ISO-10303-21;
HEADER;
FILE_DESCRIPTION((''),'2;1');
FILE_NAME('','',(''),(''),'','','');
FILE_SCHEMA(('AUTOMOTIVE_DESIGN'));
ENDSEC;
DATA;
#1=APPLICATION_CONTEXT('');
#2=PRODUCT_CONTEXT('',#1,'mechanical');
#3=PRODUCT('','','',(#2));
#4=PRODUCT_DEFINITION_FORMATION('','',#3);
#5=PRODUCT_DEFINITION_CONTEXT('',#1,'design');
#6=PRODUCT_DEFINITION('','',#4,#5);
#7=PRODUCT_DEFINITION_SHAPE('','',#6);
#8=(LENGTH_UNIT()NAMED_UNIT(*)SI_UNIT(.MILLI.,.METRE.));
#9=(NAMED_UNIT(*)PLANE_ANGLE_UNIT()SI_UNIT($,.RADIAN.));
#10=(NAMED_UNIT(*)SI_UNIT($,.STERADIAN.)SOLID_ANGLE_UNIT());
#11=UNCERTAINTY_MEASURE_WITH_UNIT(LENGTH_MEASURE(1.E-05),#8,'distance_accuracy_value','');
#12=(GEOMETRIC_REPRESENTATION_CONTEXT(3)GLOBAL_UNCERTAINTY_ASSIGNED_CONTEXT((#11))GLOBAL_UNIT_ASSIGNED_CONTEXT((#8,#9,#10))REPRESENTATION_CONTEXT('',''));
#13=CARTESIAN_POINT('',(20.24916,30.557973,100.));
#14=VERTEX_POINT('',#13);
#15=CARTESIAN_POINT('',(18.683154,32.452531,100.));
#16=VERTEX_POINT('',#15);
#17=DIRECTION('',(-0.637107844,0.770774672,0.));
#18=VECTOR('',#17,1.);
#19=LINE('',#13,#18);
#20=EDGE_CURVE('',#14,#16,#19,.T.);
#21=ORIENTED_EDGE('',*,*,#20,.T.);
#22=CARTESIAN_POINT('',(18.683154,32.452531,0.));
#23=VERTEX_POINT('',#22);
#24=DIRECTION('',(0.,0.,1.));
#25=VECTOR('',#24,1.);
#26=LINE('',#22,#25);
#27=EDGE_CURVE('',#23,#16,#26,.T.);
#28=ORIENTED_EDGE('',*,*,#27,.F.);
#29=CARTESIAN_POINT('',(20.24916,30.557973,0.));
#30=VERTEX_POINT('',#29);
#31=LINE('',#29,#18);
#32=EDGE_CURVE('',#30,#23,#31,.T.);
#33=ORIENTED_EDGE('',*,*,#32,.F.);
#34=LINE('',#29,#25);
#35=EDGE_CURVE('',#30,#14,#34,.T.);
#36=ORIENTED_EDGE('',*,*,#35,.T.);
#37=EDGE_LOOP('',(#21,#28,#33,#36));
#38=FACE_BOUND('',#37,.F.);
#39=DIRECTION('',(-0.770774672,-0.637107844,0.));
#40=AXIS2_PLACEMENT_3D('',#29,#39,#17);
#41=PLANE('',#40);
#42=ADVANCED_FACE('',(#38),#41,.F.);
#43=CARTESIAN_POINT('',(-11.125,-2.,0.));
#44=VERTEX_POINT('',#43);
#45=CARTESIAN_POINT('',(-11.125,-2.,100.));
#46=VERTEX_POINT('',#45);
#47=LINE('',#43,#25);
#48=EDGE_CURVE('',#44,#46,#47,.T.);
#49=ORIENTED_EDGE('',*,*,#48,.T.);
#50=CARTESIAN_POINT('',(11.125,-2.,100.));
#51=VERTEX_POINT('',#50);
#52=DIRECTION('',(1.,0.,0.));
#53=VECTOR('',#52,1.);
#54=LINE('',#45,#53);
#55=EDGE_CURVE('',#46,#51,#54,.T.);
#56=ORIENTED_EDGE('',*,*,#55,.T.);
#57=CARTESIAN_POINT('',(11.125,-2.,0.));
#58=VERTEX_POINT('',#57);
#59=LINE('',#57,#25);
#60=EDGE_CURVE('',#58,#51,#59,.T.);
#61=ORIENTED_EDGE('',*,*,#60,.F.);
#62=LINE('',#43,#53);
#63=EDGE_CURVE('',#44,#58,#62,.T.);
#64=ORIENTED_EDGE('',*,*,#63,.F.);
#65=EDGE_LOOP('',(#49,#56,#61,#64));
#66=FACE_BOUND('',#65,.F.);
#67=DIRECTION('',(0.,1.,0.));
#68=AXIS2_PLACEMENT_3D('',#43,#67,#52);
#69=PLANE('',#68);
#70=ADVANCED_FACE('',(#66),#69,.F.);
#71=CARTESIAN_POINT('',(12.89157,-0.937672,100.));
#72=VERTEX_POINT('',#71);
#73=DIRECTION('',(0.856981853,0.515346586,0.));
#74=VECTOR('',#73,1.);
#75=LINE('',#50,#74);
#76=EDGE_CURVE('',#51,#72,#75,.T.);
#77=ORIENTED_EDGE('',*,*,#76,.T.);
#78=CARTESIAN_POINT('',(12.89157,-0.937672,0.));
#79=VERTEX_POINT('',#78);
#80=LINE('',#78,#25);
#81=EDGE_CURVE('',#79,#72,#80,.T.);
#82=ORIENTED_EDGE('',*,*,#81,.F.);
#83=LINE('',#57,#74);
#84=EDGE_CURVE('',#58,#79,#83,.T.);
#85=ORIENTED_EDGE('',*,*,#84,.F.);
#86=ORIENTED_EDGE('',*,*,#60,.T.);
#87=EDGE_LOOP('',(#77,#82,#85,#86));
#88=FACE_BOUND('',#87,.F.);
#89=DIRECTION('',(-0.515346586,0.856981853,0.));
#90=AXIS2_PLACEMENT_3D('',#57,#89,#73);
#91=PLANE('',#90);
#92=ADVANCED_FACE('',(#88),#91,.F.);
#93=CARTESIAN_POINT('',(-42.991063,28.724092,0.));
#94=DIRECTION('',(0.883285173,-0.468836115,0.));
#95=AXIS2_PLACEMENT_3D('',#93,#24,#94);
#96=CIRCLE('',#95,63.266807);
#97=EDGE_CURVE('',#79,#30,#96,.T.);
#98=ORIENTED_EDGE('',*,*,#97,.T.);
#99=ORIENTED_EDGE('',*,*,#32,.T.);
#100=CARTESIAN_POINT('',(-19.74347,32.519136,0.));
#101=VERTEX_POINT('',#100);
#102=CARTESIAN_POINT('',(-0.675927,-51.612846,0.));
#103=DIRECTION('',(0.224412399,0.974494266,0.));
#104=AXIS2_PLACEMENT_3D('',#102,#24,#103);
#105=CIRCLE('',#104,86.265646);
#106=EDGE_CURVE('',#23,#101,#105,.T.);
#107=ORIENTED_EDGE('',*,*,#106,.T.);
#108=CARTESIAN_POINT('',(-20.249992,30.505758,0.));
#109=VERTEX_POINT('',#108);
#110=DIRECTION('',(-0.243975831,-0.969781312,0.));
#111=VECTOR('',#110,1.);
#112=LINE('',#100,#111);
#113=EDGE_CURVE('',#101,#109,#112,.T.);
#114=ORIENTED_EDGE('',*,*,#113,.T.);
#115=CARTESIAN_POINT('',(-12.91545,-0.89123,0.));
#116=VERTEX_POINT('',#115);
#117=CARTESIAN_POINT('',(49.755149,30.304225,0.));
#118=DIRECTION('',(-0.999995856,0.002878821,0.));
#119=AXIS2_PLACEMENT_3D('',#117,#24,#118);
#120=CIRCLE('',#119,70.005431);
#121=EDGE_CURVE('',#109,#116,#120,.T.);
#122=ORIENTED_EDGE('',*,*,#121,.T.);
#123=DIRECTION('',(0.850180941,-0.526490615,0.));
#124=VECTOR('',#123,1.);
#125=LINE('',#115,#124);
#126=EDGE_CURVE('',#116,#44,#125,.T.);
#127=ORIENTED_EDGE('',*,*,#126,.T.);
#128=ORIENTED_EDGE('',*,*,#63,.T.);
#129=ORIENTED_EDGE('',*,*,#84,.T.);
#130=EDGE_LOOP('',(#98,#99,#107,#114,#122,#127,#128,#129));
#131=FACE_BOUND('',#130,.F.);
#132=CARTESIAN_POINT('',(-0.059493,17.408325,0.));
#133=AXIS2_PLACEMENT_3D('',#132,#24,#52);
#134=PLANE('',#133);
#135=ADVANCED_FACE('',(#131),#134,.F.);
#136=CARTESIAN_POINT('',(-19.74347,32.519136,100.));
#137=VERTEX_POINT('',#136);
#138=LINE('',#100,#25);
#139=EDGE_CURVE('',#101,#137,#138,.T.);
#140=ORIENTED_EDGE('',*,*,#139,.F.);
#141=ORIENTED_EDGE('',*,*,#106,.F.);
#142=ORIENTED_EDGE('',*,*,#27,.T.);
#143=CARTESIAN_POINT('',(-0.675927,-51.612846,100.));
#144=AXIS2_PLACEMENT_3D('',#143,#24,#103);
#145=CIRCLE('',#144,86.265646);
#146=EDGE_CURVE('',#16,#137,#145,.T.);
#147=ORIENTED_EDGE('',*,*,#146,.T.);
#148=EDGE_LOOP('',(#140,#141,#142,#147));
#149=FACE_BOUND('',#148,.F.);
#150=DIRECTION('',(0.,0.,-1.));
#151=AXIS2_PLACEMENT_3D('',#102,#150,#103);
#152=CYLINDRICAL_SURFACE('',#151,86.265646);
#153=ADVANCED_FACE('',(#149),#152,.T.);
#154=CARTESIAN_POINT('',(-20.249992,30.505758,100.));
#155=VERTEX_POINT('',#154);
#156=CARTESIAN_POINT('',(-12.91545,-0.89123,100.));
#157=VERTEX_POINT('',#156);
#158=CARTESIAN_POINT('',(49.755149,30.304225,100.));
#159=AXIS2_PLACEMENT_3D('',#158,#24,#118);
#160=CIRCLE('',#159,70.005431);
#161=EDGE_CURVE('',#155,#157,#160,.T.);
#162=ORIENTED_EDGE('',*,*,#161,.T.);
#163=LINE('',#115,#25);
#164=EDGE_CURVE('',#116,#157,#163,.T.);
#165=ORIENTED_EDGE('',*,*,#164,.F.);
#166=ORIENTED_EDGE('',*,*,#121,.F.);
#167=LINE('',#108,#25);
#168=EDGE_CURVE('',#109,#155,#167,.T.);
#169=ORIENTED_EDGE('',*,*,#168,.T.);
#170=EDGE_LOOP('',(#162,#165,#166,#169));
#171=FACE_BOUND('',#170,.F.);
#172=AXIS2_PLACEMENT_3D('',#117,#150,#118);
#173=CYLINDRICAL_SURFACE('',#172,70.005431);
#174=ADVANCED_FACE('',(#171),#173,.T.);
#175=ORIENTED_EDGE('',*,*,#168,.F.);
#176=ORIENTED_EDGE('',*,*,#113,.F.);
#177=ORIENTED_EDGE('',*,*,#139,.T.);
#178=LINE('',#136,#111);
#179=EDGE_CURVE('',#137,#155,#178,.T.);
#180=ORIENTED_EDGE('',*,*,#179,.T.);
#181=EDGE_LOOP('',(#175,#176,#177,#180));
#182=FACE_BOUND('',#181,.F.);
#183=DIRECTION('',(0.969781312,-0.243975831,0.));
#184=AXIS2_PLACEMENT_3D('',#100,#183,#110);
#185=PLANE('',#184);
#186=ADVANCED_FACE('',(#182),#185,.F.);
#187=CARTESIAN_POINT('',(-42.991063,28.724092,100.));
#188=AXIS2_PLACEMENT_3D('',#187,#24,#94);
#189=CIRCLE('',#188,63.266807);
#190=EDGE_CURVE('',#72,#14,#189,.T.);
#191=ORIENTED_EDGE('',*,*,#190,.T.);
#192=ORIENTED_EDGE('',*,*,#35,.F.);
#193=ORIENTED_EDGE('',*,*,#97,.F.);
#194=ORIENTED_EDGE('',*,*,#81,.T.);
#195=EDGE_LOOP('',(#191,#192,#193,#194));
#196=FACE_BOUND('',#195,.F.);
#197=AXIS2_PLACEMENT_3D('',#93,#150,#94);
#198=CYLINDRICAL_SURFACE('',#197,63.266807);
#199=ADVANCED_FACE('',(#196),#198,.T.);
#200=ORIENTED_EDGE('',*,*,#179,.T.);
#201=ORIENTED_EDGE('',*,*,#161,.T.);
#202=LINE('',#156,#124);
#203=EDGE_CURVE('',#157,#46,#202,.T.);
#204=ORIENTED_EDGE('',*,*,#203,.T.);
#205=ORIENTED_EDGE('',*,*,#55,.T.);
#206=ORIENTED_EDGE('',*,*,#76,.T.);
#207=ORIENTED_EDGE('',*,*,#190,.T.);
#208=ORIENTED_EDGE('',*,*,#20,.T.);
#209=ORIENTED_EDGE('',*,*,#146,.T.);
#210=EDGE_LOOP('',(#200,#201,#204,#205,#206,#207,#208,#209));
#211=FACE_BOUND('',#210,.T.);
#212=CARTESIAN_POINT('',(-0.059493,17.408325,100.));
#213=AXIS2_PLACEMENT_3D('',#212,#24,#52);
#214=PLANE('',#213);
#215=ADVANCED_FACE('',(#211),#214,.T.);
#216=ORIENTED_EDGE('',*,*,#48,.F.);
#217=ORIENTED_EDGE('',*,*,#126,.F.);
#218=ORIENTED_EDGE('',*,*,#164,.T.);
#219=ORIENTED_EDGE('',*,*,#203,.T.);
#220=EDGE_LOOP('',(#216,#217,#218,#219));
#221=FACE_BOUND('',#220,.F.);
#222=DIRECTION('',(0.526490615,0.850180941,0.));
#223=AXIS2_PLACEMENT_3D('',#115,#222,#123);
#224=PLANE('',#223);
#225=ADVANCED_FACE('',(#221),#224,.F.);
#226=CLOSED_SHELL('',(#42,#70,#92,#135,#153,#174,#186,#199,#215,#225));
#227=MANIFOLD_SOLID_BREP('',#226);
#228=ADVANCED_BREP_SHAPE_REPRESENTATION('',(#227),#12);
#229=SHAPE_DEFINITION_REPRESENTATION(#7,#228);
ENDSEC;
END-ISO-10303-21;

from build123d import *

# Parameters (mm, degrees)
F1_DEPTH = 100


with BuildPart() as f1:
    # F0 (on Top) → F1 (new body)
    with BuildSketch(Plane.XY):
        with BuildLine():
            Line((20.24916, 30.557973), (18.683154, 32.452531))
            ThreePointArc((18.683154, 32.452531), (-0.526402, 34.65267), (-19.74347, 32.519136))
            Line((-19.74347, 32.519136), (-20.249992, 30.505758))
            ThreePointArc((-20.249992, 30.505758), (-18.414901, 14.379255), (-12.91545, -0.89123))
            Line((-12.91545, -0.89123), (-11.125, -2))
            Line((-11.125, -2), (0, -2))
            Line((0, -2), (11.125, -2))
            Line((11.125, -2), (12.89157, -0.937672))
            ThreePointArc((12.89157, -0.937672), (18.617034, 14.332035), (20.24916, 30.557973))
        make_face()
        with BuildLine():
            Line((11.125, 0), (0, 0))
            Line((0, 0), (-11.125, 0))
            ThreePointArc((-11.125, 0), (-16.501317, 14.980406), (-18.248473, 30.800166))
            ThreePointArc((-18.248473, 30.800166), (0.017215, 32.649949), (18.250002, 30.499932))
            ThreePointArc((18.250002, 30.499932), (16.669461, 14.786966), (11.125, 0))
        make_face(mode=Mode.SUBTRACT)
        with BuildLine():
            Line((-11.125, 0), (0, 0))
            Line((0, 0), (11.125, 0))
            ThreePointArc((11.125, 0), (16.669461, 14.786966), (18.250002, 30.499932))
            ThreePointArc((18.250002, 30.499932), (0.017215, 32.649949), (-18.248473, 30.800166))
            ThreePointArc((-18.248473, 30.800166), (-16.501317, 14.980406), (-11.125, 0))
        make_face()
    extrude(amount=F1_DEPTH)


solid = f1.part
